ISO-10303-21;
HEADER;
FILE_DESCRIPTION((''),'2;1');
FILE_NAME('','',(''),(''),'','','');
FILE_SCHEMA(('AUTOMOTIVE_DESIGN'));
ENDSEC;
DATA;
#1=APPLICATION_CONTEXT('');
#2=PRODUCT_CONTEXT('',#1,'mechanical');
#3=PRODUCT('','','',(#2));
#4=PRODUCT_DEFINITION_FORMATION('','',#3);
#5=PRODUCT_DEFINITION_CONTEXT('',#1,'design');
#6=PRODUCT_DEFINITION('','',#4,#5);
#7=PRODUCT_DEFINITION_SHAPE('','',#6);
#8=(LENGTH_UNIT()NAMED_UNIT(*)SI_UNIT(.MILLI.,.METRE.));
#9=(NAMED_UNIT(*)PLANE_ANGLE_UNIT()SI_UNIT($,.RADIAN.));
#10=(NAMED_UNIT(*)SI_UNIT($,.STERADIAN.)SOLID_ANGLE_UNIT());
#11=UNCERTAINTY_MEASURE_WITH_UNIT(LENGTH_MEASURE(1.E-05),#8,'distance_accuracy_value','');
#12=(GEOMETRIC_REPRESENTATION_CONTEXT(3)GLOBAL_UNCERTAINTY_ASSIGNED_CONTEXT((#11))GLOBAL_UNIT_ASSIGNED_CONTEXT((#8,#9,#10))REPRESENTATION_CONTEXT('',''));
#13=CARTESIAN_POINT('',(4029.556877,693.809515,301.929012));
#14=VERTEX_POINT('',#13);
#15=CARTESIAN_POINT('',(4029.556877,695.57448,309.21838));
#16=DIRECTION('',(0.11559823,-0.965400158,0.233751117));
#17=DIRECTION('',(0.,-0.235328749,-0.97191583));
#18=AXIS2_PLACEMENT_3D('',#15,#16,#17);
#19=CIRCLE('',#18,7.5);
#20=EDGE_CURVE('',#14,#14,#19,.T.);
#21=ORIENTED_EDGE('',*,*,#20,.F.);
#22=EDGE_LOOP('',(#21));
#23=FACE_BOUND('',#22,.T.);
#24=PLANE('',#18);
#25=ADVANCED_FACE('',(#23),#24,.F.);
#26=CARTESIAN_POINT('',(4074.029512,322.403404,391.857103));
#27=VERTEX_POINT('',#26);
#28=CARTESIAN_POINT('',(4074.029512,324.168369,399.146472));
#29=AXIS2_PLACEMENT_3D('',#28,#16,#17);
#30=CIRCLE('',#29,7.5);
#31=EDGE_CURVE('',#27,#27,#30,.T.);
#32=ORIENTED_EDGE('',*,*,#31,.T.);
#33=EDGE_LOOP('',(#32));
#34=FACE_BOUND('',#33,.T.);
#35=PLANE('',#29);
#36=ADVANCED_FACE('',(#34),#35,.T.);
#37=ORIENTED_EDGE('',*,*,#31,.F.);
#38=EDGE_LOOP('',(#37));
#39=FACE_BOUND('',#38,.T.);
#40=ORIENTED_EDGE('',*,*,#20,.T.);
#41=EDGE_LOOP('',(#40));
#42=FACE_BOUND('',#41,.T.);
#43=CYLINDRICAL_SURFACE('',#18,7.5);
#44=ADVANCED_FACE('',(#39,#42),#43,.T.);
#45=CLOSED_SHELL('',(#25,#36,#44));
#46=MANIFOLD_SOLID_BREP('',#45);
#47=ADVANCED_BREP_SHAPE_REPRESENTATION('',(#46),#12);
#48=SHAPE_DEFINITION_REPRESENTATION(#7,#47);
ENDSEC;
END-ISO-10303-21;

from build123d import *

# Parameters (mm, degrees)
SWEEP1_PROFILE_R = 7.5


with BuildPart() as part:
    # Sweep1: sweep along a curve in space
    with BuildLine() as sweep1_path:
        Line((4029.556876596, 695.574480357, 309.218380298), (4074.02951192, 324.168369142, 399.146471618))
    # Sweep1 profile (on start of the path) → Sweep1 (sweep)
    with BuildSketch(Plane(origin=(4029.556876596, 695.574480357, 309.218380298), x_dir=(0, -0.2353287488961019, -0.9719158296596447), z_dir=(0.11559823022284549, -0.9654001575782881, 0.23375111746719526))):
        Circle(SWEEP1_PROFILE_R)
    sweep(path=sweep1_path.line)


solid = part.part
